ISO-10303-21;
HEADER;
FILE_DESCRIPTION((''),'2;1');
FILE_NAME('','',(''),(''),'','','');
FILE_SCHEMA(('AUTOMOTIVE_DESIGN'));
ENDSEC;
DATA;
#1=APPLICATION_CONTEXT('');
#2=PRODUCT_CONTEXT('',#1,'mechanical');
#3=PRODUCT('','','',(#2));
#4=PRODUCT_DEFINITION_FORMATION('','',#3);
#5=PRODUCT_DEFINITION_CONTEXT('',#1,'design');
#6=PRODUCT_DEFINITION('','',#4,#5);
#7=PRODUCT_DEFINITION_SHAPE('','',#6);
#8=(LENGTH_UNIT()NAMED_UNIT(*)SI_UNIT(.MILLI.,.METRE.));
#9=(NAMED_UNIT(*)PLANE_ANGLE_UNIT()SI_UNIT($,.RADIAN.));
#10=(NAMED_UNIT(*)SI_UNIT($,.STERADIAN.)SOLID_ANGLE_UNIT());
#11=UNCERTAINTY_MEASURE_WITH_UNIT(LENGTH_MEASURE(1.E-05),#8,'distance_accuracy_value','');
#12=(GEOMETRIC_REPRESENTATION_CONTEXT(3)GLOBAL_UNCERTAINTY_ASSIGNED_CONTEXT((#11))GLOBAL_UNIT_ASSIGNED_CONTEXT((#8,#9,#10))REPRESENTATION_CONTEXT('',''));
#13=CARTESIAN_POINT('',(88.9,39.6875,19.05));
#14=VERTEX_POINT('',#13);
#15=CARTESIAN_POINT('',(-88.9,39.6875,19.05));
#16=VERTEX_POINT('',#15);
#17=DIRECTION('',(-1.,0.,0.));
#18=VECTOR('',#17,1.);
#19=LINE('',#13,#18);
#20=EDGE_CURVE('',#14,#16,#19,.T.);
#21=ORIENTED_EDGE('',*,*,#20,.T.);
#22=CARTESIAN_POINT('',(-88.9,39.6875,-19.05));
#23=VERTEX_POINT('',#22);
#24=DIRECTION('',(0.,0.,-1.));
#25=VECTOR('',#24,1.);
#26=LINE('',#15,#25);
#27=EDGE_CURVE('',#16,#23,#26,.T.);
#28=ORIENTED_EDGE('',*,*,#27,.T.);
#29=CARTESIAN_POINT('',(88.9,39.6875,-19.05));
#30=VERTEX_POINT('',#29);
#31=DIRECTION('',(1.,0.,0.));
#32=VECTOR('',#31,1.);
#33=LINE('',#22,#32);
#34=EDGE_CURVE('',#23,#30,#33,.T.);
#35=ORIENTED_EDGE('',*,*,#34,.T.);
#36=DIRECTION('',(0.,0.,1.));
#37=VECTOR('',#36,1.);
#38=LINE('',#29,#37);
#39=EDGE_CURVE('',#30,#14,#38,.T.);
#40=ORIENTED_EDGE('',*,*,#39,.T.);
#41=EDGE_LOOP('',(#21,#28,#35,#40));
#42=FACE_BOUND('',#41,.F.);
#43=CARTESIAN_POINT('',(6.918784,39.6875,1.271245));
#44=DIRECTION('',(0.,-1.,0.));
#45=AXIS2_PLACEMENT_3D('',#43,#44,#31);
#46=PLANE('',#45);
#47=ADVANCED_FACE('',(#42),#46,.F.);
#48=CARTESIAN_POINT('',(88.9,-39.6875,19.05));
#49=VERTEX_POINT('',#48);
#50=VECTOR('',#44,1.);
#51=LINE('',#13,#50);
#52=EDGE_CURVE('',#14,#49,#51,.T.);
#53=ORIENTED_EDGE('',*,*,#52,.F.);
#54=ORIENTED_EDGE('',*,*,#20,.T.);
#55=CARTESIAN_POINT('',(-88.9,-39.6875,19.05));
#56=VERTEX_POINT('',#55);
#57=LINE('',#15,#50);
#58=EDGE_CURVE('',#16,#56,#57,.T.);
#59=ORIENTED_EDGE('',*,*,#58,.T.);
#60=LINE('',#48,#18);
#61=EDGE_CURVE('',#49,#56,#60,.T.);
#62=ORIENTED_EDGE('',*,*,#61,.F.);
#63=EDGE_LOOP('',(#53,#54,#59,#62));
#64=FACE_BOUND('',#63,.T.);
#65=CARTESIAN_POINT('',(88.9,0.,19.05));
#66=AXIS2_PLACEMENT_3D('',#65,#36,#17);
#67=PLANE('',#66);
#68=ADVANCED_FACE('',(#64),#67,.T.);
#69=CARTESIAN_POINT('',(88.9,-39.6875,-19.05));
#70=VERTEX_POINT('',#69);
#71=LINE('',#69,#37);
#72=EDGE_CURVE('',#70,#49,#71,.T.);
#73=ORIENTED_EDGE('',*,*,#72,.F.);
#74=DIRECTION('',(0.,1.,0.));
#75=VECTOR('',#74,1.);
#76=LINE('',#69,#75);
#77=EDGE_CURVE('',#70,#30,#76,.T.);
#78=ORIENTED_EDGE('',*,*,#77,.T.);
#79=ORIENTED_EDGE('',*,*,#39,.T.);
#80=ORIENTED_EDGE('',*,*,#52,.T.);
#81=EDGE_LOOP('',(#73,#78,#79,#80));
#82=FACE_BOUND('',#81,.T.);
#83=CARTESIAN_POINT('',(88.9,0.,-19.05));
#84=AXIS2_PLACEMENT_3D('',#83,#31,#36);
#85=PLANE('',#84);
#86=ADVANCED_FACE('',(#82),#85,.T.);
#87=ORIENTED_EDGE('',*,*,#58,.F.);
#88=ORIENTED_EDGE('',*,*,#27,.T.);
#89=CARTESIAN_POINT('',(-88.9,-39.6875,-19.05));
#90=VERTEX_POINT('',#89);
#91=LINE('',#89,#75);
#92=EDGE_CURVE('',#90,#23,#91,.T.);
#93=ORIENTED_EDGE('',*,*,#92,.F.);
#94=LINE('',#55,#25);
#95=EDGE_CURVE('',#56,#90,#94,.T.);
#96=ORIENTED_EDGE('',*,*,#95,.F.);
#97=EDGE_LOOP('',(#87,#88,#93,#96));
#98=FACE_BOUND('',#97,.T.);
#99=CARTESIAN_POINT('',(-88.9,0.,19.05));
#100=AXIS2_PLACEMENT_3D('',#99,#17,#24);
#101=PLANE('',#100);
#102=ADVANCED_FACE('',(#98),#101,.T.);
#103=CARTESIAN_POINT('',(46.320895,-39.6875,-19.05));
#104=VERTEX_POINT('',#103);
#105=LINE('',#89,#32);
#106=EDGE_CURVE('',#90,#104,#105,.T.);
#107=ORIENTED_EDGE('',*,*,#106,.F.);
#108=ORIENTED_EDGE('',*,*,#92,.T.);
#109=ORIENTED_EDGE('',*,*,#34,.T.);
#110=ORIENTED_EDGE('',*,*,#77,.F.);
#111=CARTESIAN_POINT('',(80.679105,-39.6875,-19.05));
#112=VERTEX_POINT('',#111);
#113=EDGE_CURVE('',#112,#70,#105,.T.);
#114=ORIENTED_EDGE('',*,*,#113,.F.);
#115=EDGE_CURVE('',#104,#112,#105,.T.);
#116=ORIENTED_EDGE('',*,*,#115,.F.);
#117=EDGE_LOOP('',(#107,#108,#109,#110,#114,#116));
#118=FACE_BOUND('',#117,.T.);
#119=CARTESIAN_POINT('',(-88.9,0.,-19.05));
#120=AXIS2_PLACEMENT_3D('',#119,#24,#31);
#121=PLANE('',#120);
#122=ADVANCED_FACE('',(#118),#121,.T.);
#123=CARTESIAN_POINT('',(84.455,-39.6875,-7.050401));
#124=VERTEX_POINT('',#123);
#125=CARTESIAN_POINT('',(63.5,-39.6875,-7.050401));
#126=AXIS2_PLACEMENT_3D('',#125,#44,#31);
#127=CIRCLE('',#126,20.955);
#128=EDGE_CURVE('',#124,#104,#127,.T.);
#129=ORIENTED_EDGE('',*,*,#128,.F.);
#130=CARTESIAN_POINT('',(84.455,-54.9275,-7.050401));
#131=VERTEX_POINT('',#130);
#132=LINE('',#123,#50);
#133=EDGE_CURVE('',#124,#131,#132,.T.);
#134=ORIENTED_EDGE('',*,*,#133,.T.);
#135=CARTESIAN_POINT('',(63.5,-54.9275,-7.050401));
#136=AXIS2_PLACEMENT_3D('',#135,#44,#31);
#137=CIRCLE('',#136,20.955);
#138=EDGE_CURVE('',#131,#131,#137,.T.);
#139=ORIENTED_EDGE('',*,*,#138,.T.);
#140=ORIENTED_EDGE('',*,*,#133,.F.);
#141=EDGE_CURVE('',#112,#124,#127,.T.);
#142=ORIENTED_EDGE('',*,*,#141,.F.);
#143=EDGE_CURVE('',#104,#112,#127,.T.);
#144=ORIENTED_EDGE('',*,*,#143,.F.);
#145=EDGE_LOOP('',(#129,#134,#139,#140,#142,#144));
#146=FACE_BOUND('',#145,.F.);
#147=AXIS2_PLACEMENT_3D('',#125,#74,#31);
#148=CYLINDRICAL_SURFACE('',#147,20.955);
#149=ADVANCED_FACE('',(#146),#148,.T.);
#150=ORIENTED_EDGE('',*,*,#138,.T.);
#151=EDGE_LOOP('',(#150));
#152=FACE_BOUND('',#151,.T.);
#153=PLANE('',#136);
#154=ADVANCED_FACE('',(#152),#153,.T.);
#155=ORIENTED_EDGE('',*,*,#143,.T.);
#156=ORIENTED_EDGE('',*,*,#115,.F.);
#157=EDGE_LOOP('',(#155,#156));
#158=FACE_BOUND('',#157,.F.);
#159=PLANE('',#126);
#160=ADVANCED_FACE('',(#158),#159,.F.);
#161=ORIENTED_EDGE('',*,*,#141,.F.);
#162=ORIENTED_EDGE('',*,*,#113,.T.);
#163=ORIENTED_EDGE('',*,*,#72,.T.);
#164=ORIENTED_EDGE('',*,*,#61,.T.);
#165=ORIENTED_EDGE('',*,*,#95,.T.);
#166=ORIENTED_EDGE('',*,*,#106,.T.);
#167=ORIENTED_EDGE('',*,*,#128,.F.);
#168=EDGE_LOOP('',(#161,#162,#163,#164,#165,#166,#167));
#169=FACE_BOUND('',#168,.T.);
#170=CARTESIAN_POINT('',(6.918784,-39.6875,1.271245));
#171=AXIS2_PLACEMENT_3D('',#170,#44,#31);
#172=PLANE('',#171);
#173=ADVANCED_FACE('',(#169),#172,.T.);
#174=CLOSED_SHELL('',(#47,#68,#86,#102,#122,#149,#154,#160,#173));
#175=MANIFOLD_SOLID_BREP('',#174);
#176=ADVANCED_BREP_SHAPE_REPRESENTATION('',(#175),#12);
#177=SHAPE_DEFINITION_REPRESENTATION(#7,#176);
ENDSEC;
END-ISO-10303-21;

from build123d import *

# Parameters (mm, degrees)
F1_DEPTH = 39.6875
F2_R     = 20.955
F3_DEPTH = 15.24


with BuildPart() as f1:
    # F0 (on Front) → F1 (new body, symmetric)
    with BuildSketch(Plane.XZ):
        with BuildLine():
            Line((80.6791047274, -19.05), (88.9, -19.05))
            Line((88.9, -19.05), (88.9, 19.05))
            Line((88.9, 19.05), (-88.9, 19.05))
            Line((-88.9, 19.05), (-88.9, -19.05))
            Line((-88.9, -19.05), (46.3208952726, -19.05))
            ThreePointArc((46.3208952726, -19.05), (57.2101714874, 12.9383482925), (84.455, -7.0504005998))
            ThreePointArc((84.455, -7.0504005998), (83.4887488924, -13.3402291125), (80.6791047274, -19.05))
        make_face()
        with BuildLine():
            Line((46.3208952726, -19.05), (80.6791047274, -19.05))
            ThreePointArc((80.6791047274, -19.05), (83.4887488924, -13.3402291125), (84.455, -7.0504005998))
            ThreePointArc((84.455, -7.0504005998), (57.2101714874, 12.9383482925), (46.3208952726, -19.05))
        make_face()
    extrude(amount=F1_DEPTH, both=True)

    # F2 (on face) → F3 (join)
    with BuildSketch(Plane.XZ.offset(39.6875)):
        with Locations((63.5, -7.0504005998)):
            Circle(F2_R)
    extrude(amount=F3_DEPTH)


solid = f1.part
